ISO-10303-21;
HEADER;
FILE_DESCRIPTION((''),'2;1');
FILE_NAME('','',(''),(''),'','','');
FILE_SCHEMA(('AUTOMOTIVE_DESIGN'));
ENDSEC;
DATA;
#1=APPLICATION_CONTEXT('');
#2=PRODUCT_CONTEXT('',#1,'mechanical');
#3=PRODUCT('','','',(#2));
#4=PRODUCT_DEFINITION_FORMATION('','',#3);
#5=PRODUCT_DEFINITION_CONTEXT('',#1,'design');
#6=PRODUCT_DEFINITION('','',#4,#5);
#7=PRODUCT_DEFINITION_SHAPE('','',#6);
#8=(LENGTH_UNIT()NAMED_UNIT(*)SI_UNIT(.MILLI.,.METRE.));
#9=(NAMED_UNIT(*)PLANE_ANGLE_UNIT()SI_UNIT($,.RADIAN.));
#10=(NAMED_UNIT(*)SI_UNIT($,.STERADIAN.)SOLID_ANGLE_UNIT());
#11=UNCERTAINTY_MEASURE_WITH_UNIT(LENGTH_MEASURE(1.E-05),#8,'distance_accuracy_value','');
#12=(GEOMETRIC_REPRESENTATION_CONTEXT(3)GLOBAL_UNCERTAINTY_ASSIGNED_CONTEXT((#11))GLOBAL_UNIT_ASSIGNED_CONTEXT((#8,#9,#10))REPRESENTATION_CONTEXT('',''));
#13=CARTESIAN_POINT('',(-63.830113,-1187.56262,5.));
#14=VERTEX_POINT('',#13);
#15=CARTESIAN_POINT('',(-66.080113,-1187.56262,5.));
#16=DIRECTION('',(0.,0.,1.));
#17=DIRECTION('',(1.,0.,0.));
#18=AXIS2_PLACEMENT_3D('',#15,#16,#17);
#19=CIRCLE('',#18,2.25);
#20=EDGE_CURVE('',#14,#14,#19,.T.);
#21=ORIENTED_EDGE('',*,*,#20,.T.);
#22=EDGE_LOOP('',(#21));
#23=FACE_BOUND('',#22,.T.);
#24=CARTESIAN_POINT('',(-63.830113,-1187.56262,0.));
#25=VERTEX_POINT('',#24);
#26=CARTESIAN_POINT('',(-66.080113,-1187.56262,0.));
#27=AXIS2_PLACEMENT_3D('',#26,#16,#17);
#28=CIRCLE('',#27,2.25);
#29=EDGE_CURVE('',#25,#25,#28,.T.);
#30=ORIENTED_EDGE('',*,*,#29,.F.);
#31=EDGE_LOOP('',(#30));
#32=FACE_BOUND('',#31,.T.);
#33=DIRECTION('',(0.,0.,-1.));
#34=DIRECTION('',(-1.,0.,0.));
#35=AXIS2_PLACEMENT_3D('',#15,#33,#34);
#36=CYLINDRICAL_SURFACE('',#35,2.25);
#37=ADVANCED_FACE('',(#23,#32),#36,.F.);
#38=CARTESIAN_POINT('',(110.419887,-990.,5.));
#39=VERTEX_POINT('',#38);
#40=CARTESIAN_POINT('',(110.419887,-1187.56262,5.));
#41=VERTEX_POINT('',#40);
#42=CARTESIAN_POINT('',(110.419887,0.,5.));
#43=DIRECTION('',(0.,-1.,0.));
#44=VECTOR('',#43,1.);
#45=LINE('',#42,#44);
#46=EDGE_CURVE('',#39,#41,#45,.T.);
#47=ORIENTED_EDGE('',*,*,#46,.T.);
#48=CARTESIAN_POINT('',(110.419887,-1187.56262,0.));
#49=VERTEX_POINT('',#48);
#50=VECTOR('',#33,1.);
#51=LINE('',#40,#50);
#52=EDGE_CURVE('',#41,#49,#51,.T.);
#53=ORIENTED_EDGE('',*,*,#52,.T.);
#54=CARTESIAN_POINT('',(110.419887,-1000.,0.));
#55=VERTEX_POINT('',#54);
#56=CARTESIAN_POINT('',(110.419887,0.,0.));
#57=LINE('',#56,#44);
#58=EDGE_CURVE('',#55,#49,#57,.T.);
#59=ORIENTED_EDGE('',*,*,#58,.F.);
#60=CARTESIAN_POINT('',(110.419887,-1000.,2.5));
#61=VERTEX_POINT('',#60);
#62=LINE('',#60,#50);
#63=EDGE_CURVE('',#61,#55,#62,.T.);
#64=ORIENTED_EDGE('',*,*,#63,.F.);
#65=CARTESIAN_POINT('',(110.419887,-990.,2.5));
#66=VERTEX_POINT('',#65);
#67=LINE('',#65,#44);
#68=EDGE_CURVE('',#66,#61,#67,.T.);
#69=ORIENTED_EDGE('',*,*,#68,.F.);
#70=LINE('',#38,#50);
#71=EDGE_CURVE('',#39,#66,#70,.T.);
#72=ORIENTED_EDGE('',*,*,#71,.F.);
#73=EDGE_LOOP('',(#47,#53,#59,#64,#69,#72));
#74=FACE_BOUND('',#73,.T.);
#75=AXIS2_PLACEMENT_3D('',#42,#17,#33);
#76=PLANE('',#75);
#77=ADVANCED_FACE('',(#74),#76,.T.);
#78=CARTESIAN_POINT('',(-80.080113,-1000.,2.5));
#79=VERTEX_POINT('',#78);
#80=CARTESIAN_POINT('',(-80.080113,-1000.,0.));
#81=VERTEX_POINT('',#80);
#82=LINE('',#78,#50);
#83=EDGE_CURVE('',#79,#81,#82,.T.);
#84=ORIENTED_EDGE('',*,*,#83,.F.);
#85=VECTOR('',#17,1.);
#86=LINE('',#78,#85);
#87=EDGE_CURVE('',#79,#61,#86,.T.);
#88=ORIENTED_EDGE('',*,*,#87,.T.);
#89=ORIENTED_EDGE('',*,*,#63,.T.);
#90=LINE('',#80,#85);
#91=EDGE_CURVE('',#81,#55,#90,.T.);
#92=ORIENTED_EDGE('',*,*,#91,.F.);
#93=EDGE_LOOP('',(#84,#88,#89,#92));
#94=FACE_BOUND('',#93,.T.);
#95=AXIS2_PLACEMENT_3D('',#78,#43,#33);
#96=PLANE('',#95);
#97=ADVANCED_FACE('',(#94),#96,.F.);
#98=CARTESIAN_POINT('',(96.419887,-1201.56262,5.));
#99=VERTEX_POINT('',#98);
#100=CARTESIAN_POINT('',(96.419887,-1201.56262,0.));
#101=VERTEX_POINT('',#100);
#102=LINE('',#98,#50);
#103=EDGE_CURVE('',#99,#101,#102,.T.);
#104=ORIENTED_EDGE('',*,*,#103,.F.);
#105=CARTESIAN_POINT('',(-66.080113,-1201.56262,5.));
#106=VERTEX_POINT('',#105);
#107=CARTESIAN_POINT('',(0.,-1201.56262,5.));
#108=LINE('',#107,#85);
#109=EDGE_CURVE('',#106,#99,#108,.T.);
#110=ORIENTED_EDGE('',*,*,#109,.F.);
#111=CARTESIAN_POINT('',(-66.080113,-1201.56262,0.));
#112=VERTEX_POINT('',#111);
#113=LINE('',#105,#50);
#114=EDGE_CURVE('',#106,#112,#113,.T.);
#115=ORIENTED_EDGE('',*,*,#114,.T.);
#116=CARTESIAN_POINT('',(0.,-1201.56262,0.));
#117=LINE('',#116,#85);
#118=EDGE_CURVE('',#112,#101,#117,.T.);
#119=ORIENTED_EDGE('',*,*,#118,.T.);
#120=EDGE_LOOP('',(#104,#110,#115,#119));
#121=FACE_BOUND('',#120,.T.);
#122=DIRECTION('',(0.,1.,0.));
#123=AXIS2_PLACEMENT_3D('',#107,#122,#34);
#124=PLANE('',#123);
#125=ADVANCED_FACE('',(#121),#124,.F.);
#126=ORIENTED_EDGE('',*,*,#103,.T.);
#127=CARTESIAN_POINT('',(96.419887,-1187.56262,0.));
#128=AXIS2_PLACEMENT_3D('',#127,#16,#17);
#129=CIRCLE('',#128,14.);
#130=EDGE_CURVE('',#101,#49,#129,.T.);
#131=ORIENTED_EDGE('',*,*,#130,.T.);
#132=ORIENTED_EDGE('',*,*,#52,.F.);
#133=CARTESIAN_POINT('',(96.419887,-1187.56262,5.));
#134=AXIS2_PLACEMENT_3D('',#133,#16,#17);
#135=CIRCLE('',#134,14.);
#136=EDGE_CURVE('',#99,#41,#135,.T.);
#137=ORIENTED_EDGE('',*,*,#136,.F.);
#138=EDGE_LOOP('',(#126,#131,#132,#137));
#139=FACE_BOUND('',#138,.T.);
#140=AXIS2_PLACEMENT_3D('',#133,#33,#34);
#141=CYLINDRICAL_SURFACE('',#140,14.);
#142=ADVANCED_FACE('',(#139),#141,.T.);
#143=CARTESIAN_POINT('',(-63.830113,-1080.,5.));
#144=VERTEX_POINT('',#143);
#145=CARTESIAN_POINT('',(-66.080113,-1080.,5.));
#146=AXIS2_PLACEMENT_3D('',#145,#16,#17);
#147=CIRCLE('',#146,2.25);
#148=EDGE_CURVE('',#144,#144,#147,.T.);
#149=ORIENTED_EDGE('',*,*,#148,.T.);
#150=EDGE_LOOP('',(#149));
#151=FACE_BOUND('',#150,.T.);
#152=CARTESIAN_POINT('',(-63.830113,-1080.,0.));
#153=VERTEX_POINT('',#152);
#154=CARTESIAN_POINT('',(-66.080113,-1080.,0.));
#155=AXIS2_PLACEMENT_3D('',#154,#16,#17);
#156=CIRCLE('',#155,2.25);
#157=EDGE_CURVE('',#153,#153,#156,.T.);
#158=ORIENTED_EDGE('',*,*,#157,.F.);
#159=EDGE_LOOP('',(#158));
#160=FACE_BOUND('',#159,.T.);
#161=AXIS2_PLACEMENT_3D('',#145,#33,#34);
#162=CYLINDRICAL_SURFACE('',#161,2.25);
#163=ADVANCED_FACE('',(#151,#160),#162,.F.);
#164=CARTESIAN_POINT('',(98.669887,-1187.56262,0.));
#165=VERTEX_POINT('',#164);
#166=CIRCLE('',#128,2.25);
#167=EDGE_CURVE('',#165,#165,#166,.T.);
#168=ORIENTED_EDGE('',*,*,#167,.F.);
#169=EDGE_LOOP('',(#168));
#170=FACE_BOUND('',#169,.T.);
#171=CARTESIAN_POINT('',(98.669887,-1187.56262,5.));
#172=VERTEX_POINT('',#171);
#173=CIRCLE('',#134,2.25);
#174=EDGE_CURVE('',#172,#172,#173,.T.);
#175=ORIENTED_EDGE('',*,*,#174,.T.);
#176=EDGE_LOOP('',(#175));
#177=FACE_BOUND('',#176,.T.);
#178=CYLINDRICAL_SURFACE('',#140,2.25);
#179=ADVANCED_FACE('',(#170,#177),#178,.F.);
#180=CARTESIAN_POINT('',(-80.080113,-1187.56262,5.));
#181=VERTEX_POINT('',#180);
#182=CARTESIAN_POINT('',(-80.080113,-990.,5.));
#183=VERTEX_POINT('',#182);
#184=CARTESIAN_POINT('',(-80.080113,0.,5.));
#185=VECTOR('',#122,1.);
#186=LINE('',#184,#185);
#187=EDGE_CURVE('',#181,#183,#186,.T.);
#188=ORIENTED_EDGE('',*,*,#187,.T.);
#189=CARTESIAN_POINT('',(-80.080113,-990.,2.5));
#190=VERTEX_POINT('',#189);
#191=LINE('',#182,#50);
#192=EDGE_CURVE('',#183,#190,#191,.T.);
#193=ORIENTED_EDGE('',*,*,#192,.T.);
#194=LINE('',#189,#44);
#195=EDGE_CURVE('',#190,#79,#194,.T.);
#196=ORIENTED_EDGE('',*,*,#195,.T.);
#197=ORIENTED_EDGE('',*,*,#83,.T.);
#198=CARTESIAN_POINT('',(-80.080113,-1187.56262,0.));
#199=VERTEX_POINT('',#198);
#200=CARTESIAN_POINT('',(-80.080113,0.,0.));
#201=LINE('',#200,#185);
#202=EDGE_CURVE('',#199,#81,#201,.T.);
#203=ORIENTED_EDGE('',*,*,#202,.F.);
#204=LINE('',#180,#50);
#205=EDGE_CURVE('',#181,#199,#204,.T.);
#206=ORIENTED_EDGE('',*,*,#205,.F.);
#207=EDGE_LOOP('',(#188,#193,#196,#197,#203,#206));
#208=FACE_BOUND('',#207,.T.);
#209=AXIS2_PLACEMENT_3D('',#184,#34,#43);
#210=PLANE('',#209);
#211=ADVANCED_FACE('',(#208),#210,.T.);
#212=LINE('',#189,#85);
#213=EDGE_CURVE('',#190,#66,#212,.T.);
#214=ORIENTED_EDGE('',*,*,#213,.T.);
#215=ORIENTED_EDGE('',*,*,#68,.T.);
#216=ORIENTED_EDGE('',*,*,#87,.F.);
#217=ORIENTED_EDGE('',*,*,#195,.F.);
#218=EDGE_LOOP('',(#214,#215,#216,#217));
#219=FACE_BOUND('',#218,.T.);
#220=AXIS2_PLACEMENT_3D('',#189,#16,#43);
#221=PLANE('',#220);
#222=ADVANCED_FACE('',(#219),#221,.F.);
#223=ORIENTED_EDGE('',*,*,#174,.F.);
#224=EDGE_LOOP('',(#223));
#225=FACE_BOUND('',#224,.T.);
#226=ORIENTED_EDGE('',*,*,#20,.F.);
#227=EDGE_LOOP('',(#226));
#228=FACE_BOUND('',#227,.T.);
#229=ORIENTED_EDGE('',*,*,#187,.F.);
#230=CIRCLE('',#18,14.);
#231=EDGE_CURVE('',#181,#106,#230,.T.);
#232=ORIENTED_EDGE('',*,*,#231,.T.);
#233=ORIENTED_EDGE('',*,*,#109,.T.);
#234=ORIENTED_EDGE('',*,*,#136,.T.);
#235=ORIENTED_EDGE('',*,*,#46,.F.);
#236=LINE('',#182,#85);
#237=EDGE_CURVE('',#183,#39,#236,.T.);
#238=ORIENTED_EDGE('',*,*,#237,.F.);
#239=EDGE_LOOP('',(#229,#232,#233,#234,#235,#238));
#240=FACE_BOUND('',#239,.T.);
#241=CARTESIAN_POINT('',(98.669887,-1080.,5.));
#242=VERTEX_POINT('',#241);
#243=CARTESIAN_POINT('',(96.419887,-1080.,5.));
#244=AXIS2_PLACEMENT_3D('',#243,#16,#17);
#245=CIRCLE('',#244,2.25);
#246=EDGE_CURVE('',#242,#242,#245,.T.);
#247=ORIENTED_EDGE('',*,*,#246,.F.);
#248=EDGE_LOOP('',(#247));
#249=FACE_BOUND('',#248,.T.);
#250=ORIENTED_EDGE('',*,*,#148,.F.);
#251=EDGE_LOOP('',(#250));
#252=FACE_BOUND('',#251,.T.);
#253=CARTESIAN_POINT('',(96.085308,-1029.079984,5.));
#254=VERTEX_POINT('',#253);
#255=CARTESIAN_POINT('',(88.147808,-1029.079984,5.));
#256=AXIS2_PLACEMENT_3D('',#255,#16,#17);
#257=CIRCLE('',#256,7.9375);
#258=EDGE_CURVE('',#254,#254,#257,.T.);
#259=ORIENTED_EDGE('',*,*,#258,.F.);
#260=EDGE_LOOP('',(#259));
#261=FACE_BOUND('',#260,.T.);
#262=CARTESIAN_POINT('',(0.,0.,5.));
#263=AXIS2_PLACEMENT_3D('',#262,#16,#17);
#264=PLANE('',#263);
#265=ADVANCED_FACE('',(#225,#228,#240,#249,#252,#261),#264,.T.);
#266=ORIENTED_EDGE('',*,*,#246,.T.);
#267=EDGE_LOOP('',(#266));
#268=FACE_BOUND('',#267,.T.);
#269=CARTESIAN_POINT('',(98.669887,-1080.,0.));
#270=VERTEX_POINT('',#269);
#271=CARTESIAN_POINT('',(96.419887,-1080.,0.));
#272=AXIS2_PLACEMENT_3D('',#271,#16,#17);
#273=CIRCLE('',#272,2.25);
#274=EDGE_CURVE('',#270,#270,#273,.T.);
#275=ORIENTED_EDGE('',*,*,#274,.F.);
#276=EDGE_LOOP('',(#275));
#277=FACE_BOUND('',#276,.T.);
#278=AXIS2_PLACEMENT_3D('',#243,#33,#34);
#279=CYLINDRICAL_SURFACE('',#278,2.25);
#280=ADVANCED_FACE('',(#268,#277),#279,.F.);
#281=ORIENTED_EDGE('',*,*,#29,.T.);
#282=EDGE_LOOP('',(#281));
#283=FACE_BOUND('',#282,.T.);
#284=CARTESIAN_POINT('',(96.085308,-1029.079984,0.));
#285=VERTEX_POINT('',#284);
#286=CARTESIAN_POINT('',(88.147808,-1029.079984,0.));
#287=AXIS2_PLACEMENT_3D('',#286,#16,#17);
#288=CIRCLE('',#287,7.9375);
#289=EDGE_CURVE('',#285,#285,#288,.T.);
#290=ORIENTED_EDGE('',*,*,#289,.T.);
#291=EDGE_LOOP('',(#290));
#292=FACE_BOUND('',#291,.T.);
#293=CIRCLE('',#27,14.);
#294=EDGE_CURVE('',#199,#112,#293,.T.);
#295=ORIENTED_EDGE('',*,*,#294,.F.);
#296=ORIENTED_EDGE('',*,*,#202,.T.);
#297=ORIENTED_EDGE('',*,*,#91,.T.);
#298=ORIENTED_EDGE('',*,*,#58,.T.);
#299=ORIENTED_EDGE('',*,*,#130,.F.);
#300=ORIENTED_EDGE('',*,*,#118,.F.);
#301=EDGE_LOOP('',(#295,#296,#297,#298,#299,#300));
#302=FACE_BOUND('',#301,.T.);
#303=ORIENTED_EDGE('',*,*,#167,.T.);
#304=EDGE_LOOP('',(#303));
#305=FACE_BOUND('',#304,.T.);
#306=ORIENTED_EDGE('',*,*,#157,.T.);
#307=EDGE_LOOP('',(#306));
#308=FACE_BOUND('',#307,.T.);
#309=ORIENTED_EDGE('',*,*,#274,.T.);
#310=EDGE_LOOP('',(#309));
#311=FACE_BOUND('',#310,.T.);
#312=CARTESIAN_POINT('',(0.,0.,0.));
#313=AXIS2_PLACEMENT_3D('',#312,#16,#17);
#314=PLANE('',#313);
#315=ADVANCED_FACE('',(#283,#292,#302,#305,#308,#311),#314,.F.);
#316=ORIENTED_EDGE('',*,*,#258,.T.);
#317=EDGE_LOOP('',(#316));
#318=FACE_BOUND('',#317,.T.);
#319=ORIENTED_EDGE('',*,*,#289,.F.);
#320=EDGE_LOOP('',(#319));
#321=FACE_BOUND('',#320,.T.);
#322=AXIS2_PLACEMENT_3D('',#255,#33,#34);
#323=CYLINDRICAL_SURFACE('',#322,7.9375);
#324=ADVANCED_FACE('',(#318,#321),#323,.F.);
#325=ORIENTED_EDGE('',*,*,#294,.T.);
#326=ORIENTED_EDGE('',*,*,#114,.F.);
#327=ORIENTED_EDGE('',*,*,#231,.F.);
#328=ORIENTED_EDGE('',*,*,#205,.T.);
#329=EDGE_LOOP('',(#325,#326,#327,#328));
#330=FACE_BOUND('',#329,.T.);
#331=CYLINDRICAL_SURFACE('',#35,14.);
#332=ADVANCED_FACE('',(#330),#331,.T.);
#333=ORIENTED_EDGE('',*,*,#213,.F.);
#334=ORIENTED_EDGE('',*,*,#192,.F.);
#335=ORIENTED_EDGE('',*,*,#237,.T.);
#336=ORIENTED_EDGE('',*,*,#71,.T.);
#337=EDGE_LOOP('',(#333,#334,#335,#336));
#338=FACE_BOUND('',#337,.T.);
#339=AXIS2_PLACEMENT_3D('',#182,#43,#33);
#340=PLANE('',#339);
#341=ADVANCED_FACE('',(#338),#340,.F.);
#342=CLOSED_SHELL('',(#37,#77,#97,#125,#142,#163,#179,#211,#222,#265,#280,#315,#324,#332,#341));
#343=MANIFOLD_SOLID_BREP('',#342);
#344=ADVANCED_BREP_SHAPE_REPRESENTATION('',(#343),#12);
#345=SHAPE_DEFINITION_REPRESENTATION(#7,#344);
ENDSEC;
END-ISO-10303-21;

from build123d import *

# Parameters (mm, degrees)
SKETCH4_R           = 2.25
SKETCH4_R_2         = 7.9375
BOSS_EXTRUDE1_DEPTH = 5
CUT_EXTRUDE1_DEPTH  = 191.5


with BuildPart() as part:
    # Sketch4 → Boss-Extrude1 (new body)
    with BuildSketch(Plane.XY):
        with BuildLine():
            Line((-66.080112923, -1201.56262), (96.419887077, -1201.56262))
            ThreePointArc((96.419887077, -1201.56262), (106.319382013, -1197.462114937), (110.419887077, -1187.56262))
            Line((110.419887077, -1187.56262), (110.419887077, -812.43738))
            ThreePointArc((110.419887077, -812.43738), (106.319382013, -802.537885063), (96.419887077, -798.43738))
            Line((96.419887077, -798.43738), (-66.080112923, -798.43738))
            ThreePointArc((-66.080112923, -798.43738), (-75.97960786, -802.537885063), (-80.080112923, -812.43738))
            Line((-80.080112923, -812.43738), (-80.080112923, -1187.56262))
            ThreePointArc((-80.080112923, -1187.56262), (-75.97960786, -1197.462114937), (-66.080112923, -1201.56262))
        make_face()
        with Locations((96.419887077, -1080)):
            Circle(SKETCH4_R, mode=Mode.SUBTRACT)
        with Locations((88.147808187, -1029.0799835)):
            Circle(SKETCH4_R_2, mode=Mode.SUBTRACT)
        with Locations((-66.080112923, -1080)):
            Circle(SKETCH4_R, mode=Mode.SUBTRACT)
        with Locations((96.419887077, -920)):
            Circle(SKETCH4_R, mode=Mode.SUBTRACT)
        with Locations((-66.080112923, -920)):
            Circle(SKETCH4_R, mode=Mode.SUBTRACT)
        with Locations((-66.080112923, -1187.56262)):
            Circle(SKETCH4_R, mode=Mode.SUBTRACT)
        with Locations((96.419887077, -1187.56262)):
            Circle(SKETCH4_R, mode=Mode.SUBTRACT)
        with Locations((-66.080112923, -812.43738)):
            Circle(SKETCH4_R, mode=Mode.SUBTRACT)
        with Locations((96.419887077, -812.43738)):
            Circle(SKETCH4_R, mode=Mode.SUBTRACT)
    extrude(amount=BOSS_EXTRUDE1_DEPTH)

    # Sketch6 → Cut-Extrude1 (cut, through all)
    with BuildSketch(Plane(origin=(110.419887077, 0, 0), x_dir=(0, 0, -1), z_dir=(1, 0, 0))):
        Polygon((-5, -990), (-2.5, -990), (-2.5, -1000), (0, -1000), (102.688211321, -812.43738), (-56.641520251, -690.463913443), (-113.62806658, -898.225606144), align=None)
    extrude(amount=-CUT_EXTRUDE1_DEPTH, mode=Mode.SUBTRACT)


solid = part.part
